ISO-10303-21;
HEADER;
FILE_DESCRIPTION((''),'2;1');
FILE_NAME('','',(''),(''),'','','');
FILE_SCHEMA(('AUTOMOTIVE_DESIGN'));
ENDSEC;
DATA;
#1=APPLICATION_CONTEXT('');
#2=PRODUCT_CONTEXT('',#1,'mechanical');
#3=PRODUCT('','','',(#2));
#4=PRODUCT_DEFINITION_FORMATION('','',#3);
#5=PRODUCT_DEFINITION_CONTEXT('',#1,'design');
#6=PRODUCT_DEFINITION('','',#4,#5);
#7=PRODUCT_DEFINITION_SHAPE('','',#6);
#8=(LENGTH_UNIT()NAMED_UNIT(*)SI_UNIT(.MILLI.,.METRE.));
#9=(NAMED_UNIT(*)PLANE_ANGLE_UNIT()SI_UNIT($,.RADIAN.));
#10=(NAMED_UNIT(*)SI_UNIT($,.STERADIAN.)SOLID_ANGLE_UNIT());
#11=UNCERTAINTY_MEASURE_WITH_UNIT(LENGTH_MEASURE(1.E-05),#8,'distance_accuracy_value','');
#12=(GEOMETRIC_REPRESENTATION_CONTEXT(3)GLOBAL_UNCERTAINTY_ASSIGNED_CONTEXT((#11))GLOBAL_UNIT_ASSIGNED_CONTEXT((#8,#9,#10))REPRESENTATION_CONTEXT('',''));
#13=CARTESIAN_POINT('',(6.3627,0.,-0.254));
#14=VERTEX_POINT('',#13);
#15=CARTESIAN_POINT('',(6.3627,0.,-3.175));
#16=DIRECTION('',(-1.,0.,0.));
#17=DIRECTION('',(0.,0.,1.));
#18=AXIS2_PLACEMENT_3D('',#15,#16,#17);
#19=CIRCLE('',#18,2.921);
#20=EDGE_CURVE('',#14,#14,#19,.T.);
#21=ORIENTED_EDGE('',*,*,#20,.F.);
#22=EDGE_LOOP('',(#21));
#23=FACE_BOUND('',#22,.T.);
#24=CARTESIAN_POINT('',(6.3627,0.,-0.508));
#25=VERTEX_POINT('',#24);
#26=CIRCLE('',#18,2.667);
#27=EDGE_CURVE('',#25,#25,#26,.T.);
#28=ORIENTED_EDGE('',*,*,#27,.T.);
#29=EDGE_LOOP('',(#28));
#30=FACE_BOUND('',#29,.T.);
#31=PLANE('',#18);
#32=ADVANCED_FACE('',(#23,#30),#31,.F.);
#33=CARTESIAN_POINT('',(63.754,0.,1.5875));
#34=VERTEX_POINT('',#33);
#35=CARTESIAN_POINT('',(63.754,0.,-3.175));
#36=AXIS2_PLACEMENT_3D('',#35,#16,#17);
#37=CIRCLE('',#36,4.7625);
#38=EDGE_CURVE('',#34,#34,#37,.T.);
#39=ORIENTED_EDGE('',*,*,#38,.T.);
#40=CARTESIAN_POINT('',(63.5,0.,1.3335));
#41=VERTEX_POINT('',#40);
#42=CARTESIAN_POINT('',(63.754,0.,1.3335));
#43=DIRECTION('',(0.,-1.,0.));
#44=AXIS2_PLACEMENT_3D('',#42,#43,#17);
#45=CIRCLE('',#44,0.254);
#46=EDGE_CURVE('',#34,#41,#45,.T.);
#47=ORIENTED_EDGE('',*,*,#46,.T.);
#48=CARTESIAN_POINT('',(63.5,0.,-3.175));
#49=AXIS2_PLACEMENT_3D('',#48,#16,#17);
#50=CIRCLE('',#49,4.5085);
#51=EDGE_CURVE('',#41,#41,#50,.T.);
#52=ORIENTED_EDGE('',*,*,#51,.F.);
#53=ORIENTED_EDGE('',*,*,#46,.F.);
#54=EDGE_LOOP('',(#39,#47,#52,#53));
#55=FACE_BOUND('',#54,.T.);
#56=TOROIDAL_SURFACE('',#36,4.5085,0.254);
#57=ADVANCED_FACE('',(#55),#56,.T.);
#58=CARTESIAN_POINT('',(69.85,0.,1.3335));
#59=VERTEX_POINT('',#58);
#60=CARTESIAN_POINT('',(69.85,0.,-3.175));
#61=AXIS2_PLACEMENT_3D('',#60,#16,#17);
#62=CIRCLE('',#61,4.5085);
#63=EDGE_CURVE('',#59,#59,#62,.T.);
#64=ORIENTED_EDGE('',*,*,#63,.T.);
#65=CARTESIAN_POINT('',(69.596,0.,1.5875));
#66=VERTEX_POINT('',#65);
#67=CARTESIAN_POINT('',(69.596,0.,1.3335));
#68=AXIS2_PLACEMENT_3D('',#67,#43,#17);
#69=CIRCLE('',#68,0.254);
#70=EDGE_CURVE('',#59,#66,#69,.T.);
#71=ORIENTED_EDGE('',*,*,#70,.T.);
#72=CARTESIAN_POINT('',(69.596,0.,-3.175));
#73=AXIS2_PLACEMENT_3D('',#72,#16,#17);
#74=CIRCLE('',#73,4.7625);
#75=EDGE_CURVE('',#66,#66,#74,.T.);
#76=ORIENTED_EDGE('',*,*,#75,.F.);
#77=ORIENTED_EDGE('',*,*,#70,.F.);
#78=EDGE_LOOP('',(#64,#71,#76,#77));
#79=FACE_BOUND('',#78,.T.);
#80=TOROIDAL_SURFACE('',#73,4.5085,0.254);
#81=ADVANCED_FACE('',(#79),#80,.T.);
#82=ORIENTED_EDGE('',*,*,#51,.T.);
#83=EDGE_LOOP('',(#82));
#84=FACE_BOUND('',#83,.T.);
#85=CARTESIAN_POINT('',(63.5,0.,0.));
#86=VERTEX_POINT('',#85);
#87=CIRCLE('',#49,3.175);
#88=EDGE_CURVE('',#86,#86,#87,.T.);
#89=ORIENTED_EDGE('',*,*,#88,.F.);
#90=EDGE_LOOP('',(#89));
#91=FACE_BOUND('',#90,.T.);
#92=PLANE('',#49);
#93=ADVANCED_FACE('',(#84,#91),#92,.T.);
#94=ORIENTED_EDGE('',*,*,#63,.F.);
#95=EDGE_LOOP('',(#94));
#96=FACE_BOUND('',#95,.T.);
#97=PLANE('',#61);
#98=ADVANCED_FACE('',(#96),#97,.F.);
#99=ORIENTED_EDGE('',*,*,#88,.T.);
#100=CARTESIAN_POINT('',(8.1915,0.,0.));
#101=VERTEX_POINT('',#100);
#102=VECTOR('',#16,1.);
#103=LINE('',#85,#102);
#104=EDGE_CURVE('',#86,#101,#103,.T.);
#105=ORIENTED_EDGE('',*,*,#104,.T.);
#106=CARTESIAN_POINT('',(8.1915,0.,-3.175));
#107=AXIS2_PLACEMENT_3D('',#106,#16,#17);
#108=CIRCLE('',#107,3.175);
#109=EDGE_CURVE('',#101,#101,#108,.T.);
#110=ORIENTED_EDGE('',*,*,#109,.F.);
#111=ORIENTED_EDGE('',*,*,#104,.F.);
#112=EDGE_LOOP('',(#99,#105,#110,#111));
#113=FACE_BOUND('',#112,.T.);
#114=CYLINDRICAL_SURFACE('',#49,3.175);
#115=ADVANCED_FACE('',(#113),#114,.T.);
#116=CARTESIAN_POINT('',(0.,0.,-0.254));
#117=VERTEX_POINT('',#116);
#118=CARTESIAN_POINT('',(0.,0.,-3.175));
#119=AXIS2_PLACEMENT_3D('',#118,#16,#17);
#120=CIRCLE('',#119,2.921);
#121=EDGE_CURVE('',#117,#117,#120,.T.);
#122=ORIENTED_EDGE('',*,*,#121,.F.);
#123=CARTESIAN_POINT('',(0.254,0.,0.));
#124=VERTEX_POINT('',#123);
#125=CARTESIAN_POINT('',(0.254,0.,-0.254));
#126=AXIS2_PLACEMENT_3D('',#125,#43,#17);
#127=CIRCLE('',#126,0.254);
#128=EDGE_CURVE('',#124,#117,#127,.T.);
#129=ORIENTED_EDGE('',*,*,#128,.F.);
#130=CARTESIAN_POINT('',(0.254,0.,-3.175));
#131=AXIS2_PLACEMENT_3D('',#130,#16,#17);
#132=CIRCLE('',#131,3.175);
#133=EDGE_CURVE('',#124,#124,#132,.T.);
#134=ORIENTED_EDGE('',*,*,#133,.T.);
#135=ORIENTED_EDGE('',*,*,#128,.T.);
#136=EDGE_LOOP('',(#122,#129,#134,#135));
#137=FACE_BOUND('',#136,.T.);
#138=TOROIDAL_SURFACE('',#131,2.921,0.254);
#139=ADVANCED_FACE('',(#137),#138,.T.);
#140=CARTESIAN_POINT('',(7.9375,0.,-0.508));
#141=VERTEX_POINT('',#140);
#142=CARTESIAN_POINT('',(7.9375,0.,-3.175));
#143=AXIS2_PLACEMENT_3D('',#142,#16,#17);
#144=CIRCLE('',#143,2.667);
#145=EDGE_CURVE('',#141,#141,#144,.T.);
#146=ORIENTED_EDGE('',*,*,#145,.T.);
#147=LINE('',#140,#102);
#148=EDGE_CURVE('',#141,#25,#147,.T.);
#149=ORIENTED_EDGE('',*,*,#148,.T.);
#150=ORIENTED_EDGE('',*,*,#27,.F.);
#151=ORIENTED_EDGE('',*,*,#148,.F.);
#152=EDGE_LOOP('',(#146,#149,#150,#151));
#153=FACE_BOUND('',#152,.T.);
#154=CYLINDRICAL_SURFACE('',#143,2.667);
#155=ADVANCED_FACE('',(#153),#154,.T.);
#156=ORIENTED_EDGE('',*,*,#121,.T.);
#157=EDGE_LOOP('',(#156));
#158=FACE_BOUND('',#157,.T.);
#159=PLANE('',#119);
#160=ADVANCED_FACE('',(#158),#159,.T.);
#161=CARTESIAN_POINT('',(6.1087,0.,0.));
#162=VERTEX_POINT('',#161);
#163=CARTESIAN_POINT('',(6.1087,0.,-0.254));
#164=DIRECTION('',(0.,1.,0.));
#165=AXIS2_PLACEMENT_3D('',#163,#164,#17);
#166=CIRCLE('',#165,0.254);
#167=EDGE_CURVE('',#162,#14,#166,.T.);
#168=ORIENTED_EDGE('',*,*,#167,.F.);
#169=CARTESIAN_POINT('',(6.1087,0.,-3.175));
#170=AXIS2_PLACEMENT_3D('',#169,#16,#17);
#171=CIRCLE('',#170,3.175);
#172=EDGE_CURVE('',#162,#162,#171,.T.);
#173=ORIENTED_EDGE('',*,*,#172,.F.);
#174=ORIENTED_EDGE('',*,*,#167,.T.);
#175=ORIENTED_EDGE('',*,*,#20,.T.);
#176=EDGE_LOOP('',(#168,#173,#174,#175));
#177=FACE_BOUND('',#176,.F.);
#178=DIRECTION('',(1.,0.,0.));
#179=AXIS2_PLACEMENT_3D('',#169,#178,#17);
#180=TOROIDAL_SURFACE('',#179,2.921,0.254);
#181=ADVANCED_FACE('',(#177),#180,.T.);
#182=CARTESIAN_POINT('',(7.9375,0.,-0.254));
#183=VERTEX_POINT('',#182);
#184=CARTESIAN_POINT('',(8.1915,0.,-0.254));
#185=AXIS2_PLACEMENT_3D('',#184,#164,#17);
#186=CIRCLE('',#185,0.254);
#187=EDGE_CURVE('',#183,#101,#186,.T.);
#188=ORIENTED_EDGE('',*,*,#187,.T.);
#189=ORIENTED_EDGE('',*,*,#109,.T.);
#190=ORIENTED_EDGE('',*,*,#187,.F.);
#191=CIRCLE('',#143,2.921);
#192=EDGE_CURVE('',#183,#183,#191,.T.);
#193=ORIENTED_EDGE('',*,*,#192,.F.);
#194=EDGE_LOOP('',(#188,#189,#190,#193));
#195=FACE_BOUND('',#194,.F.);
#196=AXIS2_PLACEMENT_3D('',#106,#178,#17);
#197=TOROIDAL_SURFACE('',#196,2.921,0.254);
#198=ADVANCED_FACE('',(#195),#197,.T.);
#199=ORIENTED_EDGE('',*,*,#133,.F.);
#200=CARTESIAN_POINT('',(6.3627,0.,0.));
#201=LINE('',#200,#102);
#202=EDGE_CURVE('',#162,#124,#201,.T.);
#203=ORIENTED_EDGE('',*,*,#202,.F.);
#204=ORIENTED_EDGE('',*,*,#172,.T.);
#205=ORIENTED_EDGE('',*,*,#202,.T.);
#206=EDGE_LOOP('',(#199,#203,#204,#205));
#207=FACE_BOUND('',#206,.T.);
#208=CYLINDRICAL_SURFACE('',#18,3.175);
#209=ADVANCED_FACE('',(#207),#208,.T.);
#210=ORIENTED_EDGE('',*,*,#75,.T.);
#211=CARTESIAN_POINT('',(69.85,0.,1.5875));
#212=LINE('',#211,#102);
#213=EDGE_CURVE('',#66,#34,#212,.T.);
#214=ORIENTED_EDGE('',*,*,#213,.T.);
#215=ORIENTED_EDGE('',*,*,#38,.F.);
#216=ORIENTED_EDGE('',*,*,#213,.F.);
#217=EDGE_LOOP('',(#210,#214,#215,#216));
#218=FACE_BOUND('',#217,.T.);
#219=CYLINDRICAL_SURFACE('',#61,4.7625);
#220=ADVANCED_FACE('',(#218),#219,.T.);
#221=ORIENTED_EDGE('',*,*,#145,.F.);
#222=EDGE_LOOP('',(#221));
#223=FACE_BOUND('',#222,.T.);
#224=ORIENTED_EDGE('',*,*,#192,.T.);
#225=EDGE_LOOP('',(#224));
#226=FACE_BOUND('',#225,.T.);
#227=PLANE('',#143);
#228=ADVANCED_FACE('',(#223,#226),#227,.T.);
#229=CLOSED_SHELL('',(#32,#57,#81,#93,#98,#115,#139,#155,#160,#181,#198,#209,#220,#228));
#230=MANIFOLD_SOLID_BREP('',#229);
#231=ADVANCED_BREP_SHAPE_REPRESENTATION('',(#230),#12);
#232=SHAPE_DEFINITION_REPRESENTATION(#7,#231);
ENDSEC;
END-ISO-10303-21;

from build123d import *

# Parameters (mm, degrees)
F2_R = 0.254
F3_R = 0.254


with BuildPart() as f1:
    # F0 (on Front) → F1 (revolve)
    with BuildSketch(Plane.XZ):
        Polygon((6.3627, 0), (0, 0), (0, -3.175), (69.85, -3.175), (69.85, 1.5875), (63.5, 1.5875), (63.5, 0), (7.9375, 0), (7.9375, -0.508), (6.3627, -0.508), align=None)
    revolve(axis=Axis((34.925, 0, -3.175), (-1, 0, 0)))

    # F2
    f2_edges = [f1.edges().sort_by_distance(p)[0] for p in [
        (0, 0, -6.35),
        (63.5, 0, -7.9375),
        (69.85, 0, -7.9375),
    ]]
    fillet(f2_edges, radius=F2_R)

    # F3
    f3_edges = [f1.edges().sort_by_distance(p)[0] for p in [
        (7.9375, 0, -6.35),
        (6.3627, 0, -6.35),
    ]]
    fillet(f3_edges, radius=F3_R)


solid = f1.part
